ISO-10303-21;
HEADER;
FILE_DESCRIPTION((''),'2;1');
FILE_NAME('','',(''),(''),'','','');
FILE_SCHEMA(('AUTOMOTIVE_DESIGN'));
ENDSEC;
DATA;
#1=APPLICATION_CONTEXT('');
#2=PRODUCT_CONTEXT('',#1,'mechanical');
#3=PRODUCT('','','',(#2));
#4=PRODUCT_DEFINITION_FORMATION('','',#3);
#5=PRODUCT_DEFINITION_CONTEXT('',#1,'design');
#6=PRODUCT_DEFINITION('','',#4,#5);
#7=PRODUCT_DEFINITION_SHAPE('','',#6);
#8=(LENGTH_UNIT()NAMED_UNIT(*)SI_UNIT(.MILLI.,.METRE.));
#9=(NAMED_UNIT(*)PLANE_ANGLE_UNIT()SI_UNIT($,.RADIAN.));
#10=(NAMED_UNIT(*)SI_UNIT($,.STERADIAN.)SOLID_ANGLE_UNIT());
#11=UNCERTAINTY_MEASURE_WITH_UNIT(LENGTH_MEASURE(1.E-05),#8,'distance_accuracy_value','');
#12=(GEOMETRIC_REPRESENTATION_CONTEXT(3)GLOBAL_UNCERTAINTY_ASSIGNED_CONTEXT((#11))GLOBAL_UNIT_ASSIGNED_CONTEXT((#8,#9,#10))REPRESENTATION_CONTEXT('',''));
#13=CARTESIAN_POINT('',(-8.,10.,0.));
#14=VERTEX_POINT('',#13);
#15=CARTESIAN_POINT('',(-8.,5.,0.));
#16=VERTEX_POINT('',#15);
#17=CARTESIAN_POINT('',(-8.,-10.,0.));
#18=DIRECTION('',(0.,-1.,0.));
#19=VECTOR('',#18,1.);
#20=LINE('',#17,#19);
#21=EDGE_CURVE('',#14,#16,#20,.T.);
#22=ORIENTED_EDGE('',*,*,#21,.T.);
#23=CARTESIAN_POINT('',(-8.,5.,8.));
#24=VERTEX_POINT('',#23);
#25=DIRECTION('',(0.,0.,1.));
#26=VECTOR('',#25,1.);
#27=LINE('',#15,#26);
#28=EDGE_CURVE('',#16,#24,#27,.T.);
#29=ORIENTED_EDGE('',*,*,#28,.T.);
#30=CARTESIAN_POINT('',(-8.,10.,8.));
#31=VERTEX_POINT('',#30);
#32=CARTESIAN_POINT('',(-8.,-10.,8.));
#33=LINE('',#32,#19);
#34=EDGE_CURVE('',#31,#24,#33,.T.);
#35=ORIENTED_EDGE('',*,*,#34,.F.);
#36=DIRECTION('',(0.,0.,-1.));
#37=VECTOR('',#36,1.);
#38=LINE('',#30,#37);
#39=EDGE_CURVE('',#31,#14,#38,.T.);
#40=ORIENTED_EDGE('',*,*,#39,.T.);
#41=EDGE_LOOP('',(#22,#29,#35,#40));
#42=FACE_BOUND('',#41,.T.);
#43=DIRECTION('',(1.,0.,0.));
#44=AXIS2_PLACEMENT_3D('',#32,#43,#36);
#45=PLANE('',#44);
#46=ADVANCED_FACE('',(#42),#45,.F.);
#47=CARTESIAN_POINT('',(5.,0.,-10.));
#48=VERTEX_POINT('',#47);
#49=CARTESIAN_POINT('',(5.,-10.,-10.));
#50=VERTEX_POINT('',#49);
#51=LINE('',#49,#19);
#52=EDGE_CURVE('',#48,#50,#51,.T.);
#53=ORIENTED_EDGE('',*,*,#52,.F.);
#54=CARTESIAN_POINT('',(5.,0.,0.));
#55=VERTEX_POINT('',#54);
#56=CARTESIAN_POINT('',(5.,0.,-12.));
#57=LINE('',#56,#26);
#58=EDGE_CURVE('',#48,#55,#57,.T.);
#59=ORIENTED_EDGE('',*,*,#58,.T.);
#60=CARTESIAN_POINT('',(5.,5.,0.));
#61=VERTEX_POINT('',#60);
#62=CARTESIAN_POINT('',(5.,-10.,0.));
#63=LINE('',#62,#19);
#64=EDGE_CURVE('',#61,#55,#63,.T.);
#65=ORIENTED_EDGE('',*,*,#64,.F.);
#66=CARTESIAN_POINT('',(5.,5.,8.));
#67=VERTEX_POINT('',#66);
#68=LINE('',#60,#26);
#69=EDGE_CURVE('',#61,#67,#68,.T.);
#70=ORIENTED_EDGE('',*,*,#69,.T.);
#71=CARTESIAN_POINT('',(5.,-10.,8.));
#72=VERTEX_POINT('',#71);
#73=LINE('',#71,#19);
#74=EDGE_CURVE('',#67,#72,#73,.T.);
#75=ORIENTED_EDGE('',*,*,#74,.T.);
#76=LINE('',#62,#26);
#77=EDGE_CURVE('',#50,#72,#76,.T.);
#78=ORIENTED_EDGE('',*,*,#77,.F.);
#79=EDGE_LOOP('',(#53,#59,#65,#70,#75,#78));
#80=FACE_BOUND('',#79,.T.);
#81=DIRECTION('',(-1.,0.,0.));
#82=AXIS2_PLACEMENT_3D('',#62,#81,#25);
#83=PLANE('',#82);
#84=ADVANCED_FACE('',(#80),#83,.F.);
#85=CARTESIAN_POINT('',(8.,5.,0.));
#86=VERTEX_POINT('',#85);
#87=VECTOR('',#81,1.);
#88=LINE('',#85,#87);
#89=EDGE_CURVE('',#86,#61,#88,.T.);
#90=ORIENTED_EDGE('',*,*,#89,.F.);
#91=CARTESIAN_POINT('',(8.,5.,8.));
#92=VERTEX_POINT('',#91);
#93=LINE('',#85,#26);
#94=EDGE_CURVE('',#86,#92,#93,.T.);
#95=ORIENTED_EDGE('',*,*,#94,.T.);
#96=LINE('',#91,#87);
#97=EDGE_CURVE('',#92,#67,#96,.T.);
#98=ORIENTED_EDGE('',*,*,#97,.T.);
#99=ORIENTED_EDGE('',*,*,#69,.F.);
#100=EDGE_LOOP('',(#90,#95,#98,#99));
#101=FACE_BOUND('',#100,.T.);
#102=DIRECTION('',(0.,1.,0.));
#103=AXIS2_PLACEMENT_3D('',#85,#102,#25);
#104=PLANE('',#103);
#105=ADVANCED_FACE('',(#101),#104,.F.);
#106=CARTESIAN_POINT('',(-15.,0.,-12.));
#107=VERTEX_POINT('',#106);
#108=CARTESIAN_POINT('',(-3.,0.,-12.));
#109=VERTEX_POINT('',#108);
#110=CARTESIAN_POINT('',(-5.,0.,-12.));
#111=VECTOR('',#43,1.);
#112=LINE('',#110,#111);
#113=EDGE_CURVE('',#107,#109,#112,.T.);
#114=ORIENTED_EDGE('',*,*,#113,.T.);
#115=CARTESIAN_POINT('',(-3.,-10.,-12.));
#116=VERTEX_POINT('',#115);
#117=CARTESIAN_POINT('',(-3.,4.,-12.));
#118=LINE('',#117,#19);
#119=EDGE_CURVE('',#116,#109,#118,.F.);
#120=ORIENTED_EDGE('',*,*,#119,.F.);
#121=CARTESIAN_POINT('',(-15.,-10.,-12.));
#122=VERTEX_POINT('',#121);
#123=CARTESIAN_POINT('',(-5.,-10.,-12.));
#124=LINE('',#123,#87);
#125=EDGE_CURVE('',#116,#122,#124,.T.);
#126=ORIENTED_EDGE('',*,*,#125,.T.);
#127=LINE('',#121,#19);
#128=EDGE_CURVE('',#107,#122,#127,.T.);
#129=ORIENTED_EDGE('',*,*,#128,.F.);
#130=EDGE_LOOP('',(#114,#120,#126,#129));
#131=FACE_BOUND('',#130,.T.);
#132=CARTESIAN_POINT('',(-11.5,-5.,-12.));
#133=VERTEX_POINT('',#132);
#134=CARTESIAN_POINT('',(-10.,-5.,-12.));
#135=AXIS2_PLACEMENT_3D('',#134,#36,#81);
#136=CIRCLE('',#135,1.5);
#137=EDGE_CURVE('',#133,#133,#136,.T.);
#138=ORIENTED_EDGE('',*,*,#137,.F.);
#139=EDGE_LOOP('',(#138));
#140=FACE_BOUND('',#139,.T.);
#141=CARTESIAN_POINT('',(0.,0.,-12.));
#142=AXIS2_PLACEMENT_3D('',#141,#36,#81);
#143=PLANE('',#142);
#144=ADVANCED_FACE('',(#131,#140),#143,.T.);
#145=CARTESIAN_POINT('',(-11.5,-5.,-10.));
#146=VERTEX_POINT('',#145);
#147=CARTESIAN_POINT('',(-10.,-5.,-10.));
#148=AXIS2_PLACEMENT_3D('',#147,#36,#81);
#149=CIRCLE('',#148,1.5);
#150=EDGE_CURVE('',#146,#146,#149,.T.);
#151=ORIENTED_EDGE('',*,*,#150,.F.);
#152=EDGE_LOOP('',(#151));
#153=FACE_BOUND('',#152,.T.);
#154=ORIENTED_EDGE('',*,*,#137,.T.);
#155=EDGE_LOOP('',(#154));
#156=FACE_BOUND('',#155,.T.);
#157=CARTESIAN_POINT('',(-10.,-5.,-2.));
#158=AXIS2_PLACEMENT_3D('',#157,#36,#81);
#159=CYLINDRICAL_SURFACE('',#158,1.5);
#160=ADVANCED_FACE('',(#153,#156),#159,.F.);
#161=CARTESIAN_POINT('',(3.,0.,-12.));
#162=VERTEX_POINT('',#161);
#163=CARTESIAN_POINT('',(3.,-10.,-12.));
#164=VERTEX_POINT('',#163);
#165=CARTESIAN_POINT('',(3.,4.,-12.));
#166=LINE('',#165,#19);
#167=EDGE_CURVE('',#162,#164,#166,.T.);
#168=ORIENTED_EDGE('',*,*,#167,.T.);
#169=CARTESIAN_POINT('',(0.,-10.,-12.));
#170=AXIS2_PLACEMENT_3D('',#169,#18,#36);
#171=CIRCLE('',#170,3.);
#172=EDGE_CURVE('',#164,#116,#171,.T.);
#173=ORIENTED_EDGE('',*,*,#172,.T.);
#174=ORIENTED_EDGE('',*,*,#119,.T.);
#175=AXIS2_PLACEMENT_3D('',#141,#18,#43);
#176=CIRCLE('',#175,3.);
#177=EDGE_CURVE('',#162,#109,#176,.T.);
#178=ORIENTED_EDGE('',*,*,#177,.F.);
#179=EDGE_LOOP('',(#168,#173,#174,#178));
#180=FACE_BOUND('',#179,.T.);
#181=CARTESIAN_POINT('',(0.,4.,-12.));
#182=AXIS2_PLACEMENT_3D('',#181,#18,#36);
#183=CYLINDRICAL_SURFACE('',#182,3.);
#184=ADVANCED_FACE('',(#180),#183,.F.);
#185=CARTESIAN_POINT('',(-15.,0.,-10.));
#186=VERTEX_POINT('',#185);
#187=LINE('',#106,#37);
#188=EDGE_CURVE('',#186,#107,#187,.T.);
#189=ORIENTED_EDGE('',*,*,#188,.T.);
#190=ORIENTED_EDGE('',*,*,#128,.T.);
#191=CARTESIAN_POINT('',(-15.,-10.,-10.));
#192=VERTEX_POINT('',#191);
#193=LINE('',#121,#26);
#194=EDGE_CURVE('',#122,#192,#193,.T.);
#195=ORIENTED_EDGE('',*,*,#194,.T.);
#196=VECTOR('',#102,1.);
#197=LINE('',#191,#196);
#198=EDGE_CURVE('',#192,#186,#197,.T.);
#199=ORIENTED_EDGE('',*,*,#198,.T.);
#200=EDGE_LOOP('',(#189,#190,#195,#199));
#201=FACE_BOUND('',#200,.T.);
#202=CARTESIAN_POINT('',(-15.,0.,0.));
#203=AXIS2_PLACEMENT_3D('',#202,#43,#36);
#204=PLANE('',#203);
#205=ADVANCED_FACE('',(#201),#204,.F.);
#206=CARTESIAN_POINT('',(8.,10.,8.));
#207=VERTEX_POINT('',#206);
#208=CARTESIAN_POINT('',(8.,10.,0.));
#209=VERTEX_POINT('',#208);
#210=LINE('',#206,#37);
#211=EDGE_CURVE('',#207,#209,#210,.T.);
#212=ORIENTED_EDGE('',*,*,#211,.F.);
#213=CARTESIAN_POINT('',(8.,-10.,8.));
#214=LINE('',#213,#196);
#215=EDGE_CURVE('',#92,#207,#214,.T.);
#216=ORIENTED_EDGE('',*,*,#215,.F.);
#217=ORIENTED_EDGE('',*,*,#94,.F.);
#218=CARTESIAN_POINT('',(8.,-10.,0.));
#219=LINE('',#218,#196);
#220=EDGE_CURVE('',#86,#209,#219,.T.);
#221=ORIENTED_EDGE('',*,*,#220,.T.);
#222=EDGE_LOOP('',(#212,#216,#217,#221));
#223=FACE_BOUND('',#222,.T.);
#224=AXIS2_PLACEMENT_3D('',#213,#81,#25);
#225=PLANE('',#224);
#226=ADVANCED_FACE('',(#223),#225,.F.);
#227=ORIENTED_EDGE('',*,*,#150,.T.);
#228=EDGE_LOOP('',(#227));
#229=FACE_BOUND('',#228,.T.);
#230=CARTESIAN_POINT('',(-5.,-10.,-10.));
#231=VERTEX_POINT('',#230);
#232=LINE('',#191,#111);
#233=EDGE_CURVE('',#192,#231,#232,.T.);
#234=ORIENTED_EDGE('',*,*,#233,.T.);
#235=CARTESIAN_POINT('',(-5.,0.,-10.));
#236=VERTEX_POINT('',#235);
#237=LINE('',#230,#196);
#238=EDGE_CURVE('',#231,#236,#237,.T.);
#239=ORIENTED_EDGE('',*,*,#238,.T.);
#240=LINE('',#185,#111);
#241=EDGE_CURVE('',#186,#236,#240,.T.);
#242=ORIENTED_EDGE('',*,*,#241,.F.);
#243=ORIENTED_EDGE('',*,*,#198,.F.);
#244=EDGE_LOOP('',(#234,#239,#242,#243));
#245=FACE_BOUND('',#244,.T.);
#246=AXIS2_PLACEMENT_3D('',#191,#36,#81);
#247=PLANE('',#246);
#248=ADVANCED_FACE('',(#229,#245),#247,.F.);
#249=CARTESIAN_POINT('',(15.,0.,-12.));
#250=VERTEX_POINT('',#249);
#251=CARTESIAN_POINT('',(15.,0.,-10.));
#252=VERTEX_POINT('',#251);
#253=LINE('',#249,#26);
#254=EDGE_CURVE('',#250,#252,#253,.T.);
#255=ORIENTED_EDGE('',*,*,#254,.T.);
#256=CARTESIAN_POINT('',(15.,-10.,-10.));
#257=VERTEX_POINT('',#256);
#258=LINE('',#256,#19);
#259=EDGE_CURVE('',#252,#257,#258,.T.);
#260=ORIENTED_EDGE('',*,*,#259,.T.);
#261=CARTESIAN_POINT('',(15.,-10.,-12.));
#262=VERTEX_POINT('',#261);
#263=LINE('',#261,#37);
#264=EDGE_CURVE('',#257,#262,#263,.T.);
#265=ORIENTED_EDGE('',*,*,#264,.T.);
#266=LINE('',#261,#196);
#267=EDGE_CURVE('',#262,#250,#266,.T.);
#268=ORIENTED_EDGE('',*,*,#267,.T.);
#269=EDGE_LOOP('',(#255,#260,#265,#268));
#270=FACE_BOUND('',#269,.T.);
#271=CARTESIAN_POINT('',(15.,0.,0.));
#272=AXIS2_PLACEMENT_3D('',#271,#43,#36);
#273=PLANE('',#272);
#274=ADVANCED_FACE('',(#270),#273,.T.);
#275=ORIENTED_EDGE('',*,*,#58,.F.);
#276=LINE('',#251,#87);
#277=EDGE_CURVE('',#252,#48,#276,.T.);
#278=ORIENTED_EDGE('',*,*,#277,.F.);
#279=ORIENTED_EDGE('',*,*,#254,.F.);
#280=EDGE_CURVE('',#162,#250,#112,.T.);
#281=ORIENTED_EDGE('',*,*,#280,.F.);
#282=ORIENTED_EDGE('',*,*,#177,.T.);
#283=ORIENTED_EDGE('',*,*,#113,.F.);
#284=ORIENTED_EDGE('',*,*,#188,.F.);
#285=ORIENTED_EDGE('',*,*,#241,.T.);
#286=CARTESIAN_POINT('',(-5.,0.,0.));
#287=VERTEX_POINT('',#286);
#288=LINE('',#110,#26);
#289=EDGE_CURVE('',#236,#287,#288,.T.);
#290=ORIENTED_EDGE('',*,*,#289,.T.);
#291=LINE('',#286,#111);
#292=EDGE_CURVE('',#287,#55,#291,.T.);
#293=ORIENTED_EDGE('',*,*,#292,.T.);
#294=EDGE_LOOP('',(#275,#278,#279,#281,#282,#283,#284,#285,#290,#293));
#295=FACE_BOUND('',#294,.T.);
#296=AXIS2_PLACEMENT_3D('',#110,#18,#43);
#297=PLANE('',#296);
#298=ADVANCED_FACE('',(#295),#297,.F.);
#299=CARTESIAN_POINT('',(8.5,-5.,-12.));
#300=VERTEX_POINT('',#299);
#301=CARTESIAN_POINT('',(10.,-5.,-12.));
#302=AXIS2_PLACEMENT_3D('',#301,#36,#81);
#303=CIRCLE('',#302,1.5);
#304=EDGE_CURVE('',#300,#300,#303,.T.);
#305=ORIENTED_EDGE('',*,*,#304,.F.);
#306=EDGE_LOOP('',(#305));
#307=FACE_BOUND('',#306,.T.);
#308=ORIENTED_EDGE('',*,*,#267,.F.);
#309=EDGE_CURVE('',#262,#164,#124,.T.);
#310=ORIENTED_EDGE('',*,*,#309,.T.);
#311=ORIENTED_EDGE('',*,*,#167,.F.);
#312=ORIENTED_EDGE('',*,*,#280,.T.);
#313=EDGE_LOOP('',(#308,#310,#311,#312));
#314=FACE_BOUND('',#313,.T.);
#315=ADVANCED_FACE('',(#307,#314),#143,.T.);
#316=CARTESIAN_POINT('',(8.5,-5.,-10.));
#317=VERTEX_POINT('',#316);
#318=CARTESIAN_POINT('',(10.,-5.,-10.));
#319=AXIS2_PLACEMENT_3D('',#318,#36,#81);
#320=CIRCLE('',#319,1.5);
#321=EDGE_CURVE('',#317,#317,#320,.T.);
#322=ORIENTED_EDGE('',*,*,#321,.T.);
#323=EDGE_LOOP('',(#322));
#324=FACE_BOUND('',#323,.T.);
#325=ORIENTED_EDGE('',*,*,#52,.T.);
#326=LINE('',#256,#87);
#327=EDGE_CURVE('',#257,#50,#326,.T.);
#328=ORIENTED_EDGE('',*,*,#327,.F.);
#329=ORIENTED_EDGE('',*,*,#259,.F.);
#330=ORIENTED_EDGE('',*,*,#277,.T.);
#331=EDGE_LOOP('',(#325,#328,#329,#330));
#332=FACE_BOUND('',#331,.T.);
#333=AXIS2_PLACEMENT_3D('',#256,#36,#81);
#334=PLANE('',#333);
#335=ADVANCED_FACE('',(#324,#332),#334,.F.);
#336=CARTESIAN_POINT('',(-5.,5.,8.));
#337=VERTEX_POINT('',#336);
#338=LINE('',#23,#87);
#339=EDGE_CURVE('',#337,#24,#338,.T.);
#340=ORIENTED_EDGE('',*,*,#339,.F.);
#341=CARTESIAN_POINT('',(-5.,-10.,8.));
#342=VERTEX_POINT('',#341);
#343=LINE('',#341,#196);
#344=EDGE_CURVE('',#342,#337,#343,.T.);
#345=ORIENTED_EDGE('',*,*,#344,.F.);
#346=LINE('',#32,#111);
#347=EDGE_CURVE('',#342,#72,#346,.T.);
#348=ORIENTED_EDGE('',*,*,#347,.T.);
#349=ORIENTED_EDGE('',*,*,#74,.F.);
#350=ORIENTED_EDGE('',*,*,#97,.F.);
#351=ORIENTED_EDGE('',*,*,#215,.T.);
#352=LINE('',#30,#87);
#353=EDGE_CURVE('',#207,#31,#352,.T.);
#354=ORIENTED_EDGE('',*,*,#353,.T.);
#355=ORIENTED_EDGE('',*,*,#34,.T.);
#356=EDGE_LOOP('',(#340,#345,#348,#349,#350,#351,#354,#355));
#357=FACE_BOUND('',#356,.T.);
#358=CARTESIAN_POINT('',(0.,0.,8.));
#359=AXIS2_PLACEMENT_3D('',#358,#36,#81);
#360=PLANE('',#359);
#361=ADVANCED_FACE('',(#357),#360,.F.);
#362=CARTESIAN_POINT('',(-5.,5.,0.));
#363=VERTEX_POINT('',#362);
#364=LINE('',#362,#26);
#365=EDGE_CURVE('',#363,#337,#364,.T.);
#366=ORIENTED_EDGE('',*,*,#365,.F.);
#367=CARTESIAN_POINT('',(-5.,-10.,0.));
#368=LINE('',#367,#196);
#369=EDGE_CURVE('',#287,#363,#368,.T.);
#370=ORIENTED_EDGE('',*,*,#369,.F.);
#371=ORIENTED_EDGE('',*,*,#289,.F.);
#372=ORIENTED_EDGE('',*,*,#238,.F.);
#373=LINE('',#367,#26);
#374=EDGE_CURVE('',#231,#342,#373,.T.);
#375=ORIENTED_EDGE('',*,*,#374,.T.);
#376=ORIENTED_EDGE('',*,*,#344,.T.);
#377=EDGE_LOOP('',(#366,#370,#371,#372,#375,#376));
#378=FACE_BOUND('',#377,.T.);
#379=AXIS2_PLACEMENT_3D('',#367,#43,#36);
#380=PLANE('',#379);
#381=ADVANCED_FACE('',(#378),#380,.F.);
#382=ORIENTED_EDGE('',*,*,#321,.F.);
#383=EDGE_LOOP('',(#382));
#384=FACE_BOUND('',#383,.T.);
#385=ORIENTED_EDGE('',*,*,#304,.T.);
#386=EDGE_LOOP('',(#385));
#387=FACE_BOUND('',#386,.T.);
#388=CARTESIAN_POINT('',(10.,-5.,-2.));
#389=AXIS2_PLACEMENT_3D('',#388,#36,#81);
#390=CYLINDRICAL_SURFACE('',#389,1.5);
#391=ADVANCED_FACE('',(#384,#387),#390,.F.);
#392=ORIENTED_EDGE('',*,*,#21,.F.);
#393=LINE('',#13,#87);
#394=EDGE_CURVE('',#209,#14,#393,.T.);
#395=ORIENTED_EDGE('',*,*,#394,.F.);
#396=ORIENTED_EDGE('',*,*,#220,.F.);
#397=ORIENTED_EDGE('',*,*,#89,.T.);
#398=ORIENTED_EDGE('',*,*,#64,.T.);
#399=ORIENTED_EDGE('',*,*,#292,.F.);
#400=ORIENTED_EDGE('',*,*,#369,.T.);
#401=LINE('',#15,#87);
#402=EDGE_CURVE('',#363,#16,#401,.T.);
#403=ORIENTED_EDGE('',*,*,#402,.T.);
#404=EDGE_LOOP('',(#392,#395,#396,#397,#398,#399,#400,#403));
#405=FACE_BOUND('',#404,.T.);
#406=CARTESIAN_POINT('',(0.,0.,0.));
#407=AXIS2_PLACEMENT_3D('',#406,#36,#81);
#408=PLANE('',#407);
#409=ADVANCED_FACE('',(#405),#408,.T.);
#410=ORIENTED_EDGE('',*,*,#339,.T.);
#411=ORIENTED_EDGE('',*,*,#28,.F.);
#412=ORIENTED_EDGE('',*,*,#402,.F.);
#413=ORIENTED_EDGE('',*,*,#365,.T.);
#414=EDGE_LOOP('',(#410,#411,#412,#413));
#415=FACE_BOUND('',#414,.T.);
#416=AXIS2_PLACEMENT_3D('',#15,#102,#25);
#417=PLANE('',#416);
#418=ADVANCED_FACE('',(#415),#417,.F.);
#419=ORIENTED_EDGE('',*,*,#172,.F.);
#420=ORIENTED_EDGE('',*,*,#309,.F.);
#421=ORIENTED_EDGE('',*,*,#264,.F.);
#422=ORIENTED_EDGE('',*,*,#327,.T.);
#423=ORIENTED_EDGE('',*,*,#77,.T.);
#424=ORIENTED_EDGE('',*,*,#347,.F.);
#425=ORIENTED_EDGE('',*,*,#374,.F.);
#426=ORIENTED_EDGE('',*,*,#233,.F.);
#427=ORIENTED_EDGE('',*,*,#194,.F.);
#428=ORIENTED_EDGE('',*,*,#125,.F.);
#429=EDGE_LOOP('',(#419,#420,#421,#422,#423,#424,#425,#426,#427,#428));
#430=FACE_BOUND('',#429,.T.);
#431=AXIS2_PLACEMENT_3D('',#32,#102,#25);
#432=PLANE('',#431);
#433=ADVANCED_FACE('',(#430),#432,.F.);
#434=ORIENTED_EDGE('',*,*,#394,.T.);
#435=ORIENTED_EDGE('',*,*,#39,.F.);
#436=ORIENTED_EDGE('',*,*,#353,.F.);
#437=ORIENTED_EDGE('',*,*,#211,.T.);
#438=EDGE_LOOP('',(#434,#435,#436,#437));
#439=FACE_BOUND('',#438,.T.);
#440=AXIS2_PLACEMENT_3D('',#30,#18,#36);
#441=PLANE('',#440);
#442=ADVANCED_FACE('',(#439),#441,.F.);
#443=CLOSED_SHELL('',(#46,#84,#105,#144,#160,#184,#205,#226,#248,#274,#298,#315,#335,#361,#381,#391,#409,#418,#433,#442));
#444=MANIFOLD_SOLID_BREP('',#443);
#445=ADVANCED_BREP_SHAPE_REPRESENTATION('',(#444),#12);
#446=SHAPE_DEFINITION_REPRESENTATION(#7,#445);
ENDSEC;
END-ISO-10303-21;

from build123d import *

# Parameters (mm, degrees)
SKETCH3_W           = 16
SKETCH3_H           = 20
BOSS_EXTRUDE1_DEPTH = 8
SKETCH4_W           = 3
SKETCH4_H           = 15
CUT_EXTRUDE1_DEPTH  = 8
SKETCH5_W           = 10
SKETCH5_H           = 10
BOSS_EXTRUDE2_DEPTH = 12
SKETCH6_R           = 3
CUT_EXTRUDE2_DEPTH  = 14
SKETCH8_W           = 2
SKETCH8_H           = 10
BOSS_EXTRUDE3_DEPTH = 10
SKETCH9_W           = 2
SKETCH9_H           = 10
BOSS_EXTRUDE4_DEPTH = 10
SKETCH10_R          = 1.5
CUT_EXTRUDE3_DEPTH  = 10


with BuildPart() as part:
    # Sketch3 → Boss-Extrude1 (new body)
    with BuildSketch(Plane.XY):
        Rectangle(SKETCH3_W, SKETCH3_H)
    extrude(amount=BOSS_EXTRUDE1_DEPTH)

    # Sketch4 → Cut-Extrude1 (cut)
    with BuildSketch(Plane.XY.offset(8)):
        with Locations((-6.5, -2.5)):
            Rectangle(SKETCH4_W, SKETCH4_H)
        with Locations((6.5, -2.5)):
            Rectangle(SKETCH4_W, SKETCH4_H)
    extrude(amount=-CUT_EXTRUDE1_DEPTH, mode=Mode.SUBTRACT)

    # Sketch5 → Boss-Extrude2 (add)
    with BuildSketch(Plane(origin=(0, 0, 0), x_dir=(-1, 0, 0), z_dir=(0, 0, -1))):
        with Locations((0, -5)):
            Rectangle(SKETCH5_W, SKETCH5_H)
    extrude(amount=BOSS_EXTRUDE2_DEPTH)

    # Sketch6 → Cut-Extrude2 (cut)
    with BuildSketch(Plane.XZ.offset(10)):
        with Locations((0, -12)):
            Circle(SKETCH6_R)
    extrude(amount=-CUT_EXTRUDE2_DEPTH, mode=Mode.SUBTRACT)

    # Sketch8 → Boss-Extrude3 (add)
    with BuildSketch(Plane(origin=(5, 0, 0), x_dir=(0, 0, -1), z_dir=(1, 0, 0))):
        with Locations((11, -5)):
            Rectangle(SKETCH8_W, SKETCH8_H)
    extrude(amount=BOSS_EXTRUDE3_DEPTH)

    # Sketch9 → Boss-Extrude4 (add)
    with BuildSketch(Plane.ZY.offset(5)):
        with Locations((-11, -5)):
            Rectangle(SKETCH9_W, SKETCH9_H)
    extrude(amount=BOSS_EXTRUDE4_DEPTH)

    # Sketch10 → Cut-Extrude3 (cut)
    with BuildSketch(Plane(origin=(0, 0, -12), x_dir=(-1, 0, 0), z_dir=(0, 0, -1))):
        with Locations((-10, -5)):
            Circle(SKETCH10_R)
        with Locations((10, -5)):
            Circle(SKETCH10_R)
    extrude(amount=-CUT_EXTRUDE3_DEPTH, mode=Mode.SUBTRACT)


solid = part.part
